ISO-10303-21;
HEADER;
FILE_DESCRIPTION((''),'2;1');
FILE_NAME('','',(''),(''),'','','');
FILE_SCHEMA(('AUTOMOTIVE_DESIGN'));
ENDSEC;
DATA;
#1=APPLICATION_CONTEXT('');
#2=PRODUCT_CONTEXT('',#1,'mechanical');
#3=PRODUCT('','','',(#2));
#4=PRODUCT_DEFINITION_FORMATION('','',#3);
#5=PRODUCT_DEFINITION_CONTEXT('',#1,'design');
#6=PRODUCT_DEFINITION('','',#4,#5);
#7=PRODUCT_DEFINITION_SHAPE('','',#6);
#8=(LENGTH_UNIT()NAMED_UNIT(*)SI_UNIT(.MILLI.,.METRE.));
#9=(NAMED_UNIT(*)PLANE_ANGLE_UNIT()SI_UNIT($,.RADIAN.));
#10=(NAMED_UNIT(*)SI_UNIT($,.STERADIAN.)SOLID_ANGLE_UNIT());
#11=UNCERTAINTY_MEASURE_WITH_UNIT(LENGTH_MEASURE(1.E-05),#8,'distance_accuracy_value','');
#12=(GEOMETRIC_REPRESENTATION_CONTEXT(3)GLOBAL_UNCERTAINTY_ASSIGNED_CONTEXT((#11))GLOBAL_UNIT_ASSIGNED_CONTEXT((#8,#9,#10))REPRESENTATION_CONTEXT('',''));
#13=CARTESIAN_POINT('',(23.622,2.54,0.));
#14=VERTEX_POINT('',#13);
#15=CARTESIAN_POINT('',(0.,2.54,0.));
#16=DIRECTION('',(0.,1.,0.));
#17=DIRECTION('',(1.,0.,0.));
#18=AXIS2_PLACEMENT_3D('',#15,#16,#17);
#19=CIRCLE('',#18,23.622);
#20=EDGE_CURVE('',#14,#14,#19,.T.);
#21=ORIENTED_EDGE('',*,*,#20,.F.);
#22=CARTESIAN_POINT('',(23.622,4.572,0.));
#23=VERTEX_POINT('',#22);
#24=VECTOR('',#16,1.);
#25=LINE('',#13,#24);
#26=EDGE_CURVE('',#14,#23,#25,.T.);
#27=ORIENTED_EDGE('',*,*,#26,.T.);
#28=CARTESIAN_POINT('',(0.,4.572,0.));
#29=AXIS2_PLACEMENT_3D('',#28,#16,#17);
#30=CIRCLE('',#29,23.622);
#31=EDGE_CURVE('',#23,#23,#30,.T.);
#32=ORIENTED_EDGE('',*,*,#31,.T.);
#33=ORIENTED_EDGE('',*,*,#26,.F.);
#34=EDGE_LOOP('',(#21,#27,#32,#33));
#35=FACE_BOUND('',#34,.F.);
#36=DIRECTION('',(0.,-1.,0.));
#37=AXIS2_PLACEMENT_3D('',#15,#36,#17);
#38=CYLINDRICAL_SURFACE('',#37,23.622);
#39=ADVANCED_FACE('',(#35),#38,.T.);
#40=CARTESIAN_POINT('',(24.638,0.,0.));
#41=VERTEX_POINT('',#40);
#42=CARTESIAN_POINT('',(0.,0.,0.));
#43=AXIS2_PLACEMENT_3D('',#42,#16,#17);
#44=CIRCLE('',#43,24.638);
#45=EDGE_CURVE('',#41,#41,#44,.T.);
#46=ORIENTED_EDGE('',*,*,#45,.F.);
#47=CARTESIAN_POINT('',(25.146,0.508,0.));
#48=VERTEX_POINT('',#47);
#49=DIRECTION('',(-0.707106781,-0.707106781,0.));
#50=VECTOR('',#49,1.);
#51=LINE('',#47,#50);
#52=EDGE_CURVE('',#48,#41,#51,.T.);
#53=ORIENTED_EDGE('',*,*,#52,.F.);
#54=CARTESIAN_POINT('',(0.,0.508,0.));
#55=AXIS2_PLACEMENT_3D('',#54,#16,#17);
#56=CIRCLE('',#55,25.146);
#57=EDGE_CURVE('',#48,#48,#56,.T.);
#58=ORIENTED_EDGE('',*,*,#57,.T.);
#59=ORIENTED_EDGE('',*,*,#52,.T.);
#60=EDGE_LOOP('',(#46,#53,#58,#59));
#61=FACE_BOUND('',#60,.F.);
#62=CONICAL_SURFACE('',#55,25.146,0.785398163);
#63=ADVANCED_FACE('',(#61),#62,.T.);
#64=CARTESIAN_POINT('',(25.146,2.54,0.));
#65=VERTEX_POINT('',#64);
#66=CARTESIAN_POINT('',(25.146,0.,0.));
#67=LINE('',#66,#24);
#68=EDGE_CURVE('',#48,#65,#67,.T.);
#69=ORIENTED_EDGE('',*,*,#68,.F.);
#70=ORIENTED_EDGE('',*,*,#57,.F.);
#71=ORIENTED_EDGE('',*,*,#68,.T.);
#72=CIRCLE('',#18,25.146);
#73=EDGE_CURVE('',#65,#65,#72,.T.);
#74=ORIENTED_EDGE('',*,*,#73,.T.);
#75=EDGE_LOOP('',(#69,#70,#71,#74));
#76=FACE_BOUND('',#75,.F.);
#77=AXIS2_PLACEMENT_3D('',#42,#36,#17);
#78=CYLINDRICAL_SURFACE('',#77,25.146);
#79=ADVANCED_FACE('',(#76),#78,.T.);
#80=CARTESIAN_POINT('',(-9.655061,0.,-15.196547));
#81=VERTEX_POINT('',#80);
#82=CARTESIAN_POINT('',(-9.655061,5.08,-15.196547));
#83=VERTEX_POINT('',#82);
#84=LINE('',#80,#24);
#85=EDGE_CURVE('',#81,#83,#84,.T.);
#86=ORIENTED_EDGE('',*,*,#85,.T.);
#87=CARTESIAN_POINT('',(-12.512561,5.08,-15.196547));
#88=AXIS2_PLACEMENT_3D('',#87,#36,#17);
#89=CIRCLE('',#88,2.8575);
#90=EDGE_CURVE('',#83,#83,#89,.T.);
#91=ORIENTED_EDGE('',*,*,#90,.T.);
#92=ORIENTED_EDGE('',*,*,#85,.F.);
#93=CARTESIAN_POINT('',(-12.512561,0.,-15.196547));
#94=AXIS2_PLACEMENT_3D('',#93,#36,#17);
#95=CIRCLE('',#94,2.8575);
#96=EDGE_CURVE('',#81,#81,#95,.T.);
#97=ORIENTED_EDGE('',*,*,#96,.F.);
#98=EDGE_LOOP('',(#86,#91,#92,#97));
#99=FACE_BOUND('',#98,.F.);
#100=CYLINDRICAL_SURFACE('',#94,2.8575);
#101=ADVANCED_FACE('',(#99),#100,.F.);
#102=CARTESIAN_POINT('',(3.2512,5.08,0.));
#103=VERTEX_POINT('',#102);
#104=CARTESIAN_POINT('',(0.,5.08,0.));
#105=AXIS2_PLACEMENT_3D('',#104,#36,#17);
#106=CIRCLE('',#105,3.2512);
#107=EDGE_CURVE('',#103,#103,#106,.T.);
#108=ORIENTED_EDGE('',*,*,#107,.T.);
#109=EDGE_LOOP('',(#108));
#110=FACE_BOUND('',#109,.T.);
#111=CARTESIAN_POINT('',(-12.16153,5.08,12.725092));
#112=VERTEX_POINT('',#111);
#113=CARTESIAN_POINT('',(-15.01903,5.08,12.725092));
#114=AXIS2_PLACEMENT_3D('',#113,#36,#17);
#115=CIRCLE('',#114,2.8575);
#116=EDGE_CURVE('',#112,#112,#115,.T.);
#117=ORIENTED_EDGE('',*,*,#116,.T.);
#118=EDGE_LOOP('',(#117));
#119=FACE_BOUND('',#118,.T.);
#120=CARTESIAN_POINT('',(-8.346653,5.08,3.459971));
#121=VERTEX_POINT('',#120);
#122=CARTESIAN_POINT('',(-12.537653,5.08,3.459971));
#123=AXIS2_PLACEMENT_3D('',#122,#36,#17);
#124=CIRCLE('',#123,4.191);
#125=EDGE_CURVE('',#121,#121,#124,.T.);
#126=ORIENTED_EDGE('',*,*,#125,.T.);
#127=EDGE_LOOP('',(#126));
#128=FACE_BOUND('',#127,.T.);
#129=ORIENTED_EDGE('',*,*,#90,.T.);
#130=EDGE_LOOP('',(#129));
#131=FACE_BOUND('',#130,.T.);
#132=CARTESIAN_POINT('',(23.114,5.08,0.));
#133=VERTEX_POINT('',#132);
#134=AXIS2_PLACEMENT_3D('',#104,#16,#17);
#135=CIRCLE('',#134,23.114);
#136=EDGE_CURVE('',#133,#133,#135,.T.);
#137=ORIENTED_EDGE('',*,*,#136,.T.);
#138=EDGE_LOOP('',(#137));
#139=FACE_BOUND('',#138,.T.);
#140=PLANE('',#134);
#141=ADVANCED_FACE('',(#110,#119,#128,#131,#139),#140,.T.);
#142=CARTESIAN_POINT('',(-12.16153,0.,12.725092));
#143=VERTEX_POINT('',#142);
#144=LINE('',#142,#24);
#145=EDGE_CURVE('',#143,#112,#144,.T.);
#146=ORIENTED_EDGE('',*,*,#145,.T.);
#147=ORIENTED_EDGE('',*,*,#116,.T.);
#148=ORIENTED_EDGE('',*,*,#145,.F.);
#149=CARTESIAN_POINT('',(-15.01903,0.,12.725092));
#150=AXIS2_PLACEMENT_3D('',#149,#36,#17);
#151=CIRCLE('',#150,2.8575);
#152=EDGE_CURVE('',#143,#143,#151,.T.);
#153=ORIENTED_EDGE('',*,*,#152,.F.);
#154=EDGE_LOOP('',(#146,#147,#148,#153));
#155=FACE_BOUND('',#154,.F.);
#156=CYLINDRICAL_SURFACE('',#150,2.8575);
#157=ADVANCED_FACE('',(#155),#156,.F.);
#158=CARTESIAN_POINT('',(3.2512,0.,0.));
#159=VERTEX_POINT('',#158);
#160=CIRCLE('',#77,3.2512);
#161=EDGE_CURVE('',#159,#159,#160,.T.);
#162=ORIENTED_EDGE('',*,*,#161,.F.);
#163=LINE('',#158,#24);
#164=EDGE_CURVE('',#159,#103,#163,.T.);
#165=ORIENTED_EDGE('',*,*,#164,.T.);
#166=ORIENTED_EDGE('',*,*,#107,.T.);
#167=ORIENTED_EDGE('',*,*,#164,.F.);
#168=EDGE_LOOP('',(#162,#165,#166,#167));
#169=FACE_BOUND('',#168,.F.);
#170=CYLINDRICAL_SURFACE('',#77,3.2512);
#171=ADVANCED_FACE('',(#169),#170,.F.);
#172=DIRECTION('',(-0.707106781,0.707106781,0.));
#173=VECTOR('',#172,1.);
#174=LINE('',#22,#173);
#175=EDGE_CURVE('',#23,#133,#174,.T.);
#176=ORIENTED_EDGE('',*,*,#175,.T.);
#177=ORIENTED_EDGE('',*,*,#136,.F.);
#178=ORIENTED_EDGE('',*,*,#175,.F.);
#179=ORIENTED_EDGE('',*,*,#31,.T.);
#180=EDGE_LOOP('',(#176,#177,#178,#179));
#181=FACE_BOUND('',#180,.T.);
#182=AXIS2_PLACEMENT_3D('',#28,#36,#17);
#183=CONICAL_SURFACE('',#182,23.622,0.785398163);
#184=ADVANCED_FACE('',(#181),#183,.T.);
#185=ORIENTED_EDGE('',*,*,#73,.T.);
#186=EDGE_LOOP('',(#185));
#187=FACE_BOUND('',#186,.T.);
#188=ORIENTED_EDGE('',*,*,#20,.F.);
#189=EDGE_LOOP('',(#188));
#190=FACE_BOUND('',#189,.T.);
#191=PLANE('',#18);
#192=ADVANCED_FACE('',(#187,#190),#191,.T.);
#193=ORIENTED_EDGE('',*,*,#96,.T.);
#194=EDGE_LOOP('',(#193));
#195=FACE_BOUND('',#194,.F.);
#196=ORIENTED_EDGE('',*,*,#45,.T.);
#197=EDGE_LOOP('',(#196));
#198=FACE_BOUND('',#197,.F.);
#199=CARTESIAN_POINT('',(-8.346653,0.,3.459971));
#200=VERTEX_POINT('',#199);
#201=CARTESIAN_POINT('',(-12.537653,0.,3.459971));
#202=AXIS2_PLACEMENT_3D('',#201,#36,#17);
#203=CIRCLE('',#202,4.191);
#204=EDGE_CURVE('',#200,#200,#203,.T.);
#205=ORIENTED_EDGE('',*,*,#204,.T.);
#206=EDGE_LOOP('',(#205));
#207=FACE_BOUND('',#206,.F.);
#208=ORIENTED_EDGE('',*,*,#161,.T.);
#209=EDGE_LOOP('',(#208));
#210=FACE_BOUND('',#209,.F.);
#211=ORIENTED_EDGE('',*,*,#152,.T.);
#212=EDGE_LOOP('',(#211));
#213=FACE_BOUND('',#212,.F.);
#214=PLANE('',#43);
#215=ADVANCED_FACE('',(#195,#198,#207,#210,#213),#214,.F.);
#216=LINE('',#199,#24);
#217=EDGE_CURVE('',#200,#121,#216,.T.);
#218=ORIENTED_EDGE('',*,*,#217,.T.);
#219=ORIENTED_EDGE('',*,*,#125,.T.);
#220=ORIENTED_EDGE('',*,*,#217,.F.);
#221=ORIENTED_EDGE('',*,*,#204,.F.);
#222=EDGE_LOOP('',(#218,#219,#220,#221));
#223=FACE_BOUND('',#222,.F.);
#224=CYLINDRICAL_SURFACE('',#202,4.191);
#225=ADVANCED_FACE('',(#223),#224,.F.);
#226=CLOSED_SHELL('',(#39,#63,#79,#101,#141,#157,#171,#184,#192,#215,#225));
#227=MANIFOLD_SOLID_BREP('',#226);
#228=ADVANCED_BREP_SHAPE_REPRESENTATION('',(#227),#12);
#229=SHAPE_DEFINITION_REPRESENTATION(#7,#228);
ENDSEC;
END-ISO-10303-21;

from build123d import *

# Parameters (mm, degrees)
SKETCH1_R               = 25.146
BOSS_EXTRUDE1_DEPTH     = 2.54
SKETCH2_R               = 23.622
BOSS_EXTRUDE2_DEPTH     = 2.54
SKETCH3_R               = 3.2512
SKETCH3_R_2             = 4.191
CUT_EXTRUDE1_DEPTH      = 1
CUT_EXTRUDE1_DEPTH_BACK = 6.08
SKETCH4_R               = 2.8575
CUT_EXTRUDE2_DEPTH      = 5.08
CHAMFER1_SIZE           = 0.508


with BuildPart() as part:
    # Sketch1 → Boss-Extrude1 (new body)
    with BuildSketch(Plane(origin=(0, 0, 0), x_dir=(1, 0, 0), z_dir=(0, 1, 0))):
        Circle(SKETCH1_R)
    extrude(amount=BOSS_EXTRUDE1_DEPTH)

    # Sketch2 → Boss-Extrude2 (add)
    with BuildSketch(Plane(origin=(0, 2.54, 0), x_dir=(1, 0, 0), z_dir=(0, 1, 0))):
        Circle(SKETCH2_R)
    extrude(amount=BOSS_EXTRUDE2_DEPTH)

    # Sketch3 → Cut-Extrude1 (cut, two sides)
    with BuildSketch(Plane.XZ) as cut_extrude1_sk:
        Circle(SKETCH3_R)
        with Locations((-12.537653487, 3.45997074)):
            Circle(SKETCH3_R_2)
    extrude(amount=CUT_EXTRUDE1_DEPTH, mode=Mode.SUBTRACT)
    extrude(cut_extrude1_sk.sketch, amount=-CUT_EXTRUDE1_DEPTH_BACK, mode=Mode.SUBTRACT)

    # Sketch4 → Cut-Extrude2 (cut)
    with BuildSketch(Plane.XZ):
        with Locations((-12.512560688, -15.196547307)):
            Circle(SKETCH4_R)
        with Locations((-15.019030103, 12.725091739)):
            Circle(SKETCH4_R)
    extrude(amount=-CUT_EXTRUDE2_DEPTH, mode=Mode.SUBTRACT)

    # Chamfer1
    chamfer1_edges = [part.edges().sort_by_distance(p)[0] for p in [
        (-25.146, 0, 0),
        (-23.622, 5.08, 0),
    ]]
    chamfer(chamfer1_edges, length=CHAMFER1_SIZE)


solid = part.part
